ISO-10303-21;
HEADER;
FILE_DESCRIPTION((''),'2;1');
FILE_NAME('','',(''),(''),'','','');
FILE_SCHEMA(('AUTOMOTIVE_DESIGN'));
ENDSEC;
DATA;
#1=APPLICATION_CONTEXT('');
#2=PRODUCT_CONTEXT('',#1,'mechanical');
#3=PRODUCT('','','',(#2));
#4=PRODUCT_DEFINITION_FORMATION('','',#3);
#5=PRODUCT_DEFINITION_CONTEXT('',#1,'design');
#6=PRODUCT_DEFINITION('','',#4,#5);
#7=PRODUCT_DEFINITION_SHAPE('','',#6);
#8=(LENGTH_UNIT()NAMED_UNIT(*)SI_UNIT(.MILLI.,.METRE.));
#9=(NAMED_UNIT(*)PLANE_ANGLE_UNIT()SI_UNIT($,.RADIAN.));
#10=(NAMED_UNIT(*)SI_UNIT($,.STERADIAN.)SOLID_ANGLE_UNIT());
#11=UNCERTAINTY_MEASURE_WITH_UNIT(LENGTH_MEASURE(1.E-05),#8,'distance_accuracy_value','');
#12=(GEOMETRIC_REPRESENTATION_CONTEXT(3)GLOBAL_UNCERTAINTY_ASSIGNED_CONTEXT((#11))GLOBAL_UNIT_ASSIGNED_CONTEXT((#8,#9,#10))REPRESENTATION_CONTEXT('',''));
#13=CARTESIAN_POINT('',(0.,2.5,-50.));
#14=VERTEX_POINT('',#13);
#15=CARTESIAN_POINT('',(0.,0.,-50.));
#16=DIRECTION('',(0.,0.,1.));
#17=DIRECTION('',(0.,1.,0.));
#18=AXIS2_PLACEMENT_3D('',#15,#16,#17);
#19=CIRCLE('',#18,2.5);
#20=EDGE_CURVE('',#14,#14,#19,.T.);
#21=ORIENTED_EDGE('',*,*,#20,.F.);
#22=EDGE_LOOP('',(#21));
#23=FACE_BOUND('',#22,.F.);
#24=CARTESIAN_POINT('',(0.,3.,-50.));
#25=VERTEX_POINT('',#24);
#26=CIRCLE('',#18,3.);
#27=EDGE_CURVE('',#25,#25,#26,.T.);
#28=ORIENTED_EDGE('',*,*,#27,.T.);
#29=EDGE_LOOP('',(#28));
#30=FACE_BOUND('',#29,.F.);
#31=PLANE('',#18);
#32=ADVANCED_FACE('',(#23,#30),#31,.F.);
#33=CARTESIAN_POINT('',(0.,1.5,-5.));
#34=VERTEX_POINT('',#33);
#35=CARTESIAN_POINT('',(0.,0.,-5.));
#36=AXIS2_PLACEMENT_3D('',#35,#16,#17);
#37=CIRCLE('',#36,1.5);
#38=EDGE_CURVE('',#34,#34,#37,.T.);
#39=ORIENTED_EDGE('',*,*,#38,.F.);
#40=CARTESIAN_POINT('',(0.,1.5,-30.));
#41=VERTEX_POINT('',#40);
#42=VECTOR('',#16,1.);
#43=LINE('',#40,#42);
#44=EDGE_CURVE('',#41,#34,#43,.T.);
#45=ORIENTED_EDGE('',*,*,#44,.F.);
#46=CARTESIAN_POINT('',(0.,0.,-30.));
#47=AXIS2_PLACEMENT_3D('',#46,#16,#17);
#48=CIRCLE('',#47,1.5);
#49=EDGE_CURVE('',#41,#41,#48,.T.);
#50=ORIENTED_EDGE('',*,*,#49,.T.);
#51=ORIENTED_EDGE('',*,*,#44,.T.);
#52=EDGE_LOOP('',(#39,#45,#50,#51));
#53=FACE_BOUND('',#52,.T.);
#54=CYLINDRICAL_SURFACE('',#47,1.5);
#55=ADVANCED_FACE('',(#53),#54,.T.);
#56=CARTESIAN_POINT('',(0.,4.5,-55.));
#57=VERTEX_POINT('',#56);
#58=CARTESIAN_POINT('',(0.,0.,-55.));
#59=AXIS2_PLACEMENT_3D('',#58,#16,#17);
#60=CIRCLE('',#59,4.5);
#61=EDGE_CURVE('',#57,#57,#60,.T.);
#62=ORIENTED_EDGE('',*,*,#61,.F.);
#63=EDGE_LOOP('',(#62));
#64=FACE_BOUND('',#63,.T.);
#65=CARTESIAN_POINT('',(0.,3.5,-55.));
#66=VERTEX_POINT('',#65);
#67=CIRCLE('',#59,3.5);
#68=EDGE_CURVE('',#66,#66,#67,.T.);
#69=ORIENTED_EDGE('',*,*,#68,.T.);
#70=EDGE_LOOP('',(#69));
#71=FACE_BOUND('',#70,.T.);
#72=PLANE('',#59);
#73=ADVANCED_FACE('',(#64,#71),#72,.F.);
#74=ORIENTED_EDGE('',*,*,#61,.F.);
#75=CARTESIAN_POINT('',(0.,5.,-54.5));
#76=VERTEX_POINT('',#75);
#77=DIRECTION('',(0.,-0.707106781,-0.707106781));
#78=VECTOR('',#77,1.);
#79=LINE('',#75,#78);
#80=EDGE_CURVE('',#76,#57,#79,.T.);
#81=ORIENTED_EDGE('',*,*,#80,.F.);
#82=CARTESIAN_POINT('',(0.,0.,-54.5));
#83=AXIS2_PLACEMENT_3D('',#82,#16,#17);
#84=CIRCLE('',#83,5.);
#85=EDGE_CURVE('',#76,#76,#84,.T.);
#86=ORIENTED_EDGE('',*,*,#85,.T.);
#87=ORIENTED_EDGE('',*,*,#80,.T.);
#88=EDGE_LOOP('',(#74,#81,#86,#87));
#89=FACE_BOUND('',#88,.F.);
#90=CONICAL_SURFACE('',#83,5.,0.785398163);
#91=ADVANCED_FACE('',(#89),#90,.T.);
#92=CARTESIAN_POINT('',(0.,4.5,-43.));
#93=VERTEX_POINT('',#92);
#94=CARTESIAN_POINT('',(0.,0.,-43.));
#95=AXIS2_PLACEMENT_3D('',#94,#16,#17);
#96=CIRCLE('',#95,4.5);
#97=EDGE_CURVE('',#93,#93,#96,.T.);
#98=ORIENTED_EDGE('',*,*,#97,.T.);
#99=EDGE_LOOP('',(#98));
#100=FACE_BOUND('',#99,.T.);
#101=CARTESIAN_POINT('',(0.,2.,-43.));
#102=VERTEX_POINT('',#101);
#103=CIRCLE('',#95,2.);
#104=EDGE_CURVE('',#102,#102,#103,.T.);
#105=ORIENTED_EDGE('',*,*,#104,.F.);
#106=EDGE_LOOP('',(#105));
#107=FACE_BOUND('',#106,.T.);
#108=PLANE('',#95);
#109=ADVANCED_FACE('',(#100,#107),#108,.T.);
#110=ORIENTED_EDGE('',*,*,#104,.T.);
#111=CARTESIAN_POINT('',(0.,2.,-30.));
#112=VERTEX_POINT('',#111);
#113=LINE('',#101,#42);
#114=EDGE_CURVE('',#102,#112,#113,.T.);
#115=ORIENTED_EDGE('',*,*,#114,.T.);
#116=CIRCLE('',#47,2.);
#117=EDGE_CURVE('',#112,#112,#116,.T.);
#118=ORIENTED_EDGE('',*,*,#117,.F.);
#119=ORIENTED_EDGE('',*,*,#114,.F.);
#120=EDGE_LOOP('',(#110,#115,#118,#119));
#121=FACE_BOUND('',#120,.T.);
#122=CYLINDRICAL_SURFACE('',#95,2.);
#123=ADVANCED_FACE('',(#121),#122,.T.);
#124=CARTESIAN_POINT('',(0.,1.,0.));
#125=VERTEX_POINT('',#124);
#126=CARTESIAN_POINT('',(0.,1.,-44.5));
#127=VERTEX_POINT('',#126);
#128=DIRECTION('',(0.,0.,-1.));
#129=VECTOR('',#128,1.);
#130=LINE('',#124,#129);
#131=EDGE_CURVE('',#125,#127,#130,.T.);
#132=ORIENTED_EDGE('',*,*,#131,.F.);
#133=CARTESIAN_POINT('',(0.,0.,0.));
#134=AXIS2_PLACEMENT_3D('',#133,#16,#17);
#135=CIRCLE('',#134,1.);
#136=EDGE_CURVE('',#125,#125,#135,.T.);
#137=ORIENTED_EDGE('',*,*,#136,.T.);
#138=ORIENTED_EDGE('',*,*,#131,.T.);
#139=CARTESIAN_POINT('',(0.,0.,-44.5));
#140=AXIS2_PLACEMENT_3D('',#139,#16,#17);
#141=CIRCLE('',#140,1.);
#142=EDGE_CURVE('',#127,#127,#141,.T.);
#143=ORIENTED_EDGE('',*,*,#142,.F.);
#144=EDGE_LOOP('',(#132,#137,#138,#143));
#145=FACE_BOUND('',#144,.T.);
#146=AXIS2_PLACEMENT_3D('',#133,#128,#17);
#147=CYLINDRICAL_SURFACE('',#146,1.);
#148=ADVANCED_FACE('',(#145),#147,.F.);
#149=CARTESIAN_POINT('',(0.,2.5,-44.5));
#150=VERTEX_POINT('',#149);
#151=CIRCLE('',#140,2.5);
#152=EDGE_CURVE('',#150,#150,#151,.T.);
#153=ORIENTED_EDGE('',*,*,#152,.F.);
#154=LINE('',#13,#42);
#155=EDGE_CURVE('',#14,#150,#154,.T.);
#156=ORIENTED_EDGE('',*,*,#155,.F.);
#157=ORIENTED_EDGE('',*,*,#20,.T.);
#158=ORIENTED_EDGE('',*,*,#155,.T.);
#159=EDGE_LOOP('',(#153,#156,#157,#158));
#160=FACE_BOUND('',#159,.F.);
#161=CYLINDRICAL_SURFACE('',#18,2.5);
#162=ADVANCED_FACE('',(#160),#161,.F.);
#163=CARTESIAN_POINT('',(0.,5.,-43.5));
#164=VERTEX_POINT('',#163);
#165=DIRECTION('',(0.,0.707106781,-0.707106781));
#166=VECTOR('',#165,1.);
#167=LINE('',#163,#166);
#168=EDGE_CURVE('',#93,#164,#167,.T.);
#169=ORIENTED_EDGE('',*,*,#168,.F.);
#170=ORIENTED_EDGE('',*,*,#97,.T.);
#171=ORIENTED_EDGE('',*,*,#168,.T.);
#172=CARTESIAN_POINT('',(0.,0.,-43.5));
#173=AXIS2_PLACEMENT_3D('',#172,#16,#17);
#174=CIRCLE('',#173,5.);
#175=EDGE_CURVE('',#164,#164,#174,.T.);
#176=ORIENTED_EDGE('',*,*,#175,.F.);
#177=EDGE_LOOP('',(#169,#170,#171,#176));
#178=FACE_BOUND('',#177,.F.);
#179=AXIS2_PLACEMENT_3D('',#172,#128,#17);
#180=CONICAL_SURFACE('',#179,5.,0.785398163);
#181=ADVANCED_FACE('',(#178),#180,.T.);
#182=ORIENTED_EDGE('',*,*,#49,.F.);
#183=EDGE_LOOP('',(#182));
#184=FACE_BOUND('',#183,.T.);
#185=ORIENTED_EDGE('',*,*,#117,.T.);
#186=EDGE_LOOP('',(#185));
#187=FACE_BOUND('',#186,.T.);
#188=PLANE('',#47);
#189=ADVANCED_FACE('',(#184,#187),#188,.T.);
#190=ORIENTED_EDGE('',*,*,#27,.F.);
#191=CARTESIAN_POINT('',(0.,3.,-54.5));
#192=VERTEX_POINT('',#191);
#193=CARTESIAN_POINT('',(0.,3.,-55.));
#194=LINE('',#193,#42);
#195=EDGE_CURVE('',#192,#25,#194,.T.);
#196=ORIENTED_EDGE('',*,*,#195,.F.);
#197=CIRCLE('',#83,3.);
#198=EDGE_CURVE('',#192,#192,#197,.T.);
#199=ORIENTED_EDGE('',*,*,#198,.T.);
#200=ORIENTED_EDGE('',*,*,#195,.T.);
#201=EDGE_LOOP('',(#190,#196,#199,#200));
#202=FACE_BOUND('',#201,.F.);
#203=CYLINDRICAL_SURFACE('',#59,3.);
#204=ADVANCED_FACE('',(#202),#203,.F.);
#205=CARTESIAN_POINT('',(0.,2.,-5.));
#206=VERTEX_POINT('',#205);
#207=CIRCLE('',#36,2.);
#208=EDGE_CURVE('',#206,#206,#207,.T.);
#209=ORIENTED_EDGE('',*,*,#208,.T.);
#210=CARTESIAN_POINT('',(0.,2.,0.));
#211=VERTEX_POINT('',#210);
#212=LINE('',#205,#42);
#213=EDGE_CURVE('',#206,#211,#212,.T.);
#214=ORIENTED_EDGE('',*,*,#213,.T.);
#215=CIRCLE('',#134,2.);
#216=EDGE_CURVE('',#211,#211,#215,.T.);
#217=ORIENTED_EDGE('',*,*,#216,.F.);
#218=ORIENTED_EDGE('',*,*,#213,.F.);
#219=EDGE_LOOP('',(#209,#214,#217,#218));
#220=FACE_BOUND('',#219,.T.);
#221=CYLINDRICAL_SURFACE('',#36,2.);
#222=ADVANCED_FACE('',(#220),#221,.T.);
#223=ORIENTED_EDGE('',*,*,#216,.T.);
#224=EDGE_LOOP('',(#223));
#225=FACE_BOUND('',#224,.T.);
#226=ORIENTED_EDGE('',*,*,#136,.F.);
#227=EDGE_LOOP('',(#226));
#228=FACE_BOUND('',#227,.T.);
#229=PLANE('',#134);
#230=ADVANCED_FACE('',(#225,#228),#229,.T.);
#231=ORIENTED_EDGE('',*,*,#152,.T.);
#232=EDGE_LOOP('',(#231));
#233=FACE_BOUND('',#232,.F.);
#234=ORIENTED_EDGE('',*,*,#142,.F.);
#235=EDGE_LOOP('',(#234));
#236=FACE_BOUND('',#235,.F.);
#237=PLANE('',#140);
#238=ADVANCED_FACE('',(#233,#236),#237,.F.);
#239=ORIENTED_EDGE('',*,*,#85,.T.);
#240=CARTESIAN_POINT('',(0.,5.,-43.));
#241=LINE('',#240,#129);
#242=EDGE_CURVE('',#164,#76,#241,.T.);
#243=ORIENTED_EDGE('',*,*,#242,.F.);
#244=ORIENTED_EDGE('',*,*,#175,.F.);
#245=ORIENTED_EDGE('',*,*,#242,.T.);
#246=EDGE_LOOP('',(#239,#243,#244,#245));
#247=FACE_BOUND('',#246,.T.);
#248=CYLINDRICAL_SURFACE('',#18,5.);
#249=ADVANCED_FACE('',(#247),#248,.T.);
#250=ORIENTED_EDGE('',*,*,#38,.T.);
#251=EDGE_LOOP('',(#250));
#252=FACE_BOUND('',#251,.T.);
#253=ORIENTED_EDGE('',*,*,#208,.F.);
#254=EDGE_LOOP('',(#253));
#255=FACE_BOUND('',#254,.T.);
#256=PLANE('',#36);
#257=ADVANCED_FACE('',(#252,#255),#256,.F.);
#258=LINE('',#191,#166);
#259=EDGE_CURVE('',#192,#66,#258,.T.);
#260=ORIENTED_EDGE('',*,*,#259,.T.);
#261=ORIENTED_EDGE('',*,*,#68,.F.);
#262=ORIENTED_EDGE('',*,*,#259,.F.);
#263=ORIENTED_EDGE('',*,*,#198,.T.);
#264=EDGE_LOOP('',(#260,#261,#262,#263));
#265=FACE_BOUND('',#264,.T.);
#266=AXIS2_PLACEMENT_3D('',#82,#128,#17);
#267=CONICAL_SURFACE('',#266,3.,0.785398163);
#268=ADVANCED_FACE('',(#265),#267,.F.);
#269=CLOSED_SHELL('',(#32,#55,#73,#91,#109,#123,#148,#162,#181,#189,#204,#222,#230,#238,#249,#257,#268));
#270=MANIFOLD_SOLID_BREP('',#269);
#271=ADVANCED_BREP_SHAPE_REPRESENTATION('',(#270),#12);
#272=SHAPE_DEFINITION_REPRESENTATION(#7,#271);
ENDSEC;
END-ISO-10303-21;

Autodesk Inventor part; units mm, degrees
ref_plane "YZ Plane" through (0, 0, 0) normal (1, 0, 0) x (0, 1, 0)
ref_plane "XZ Plane" through (0, 0, 0) normal (0, 1, 0) x (-1, 0, 0)
ref_plane "XY Plane" through (0, 0, 0) normal (0, 0, 1) x (1, 0, 0)
sketch "Sketch1" plane through (0, 0, 0) normal (1, 0, 0) x (0, 1, 0)
  line L0 (0, 0) -> (1, 0)
  line L1 (1, 0) -> (1, -55)
  line L2 (1, -55) -> (0, -55)
  line L3 (0, -55) -> (0, 0)
  line L4 (0, -55) -> (3, -55)
  line L5 (3, -55) -> (3, -50)
  line L6 (0, -55) -> (5, -55)
  line L7 (5, -55) -> (5, -50)
  line L8 (5, -50) -> (0, -50)
  line L9 (5, -50) -> (5, -43)
  line L10 (5, -43) -> (0, -43)
  line L11 (0, -43) -> (2, -43)
  line L12 (2, -43) -> (2, -30)
  line L13 (2, -30) -> (0, -30)
  line L14 (0, -30) -> (1.5, -30)
  line L15 (1.5, -30) -> (1.5, -5)
  line L16 (1.5, -5) -> (0, -5)
  line L17 (0, -5) -> (2, -5)
  line L18 (2, -5) -> (2, 0)
  line L19 (2, 0) -> (0, 0)
  line L20 (5, -43) -> (5, -44.5)
  line L21 (5, -44.5) -> (0, -44.5)
  line L22 (0, -50) -> (2.5, -50)
  line L23 (2.5, -50) -> (2.5, -44.5)
  point P0 (1, -50)
  point P1 (1, -44.5)
  dimension "d0" = 1
  dimension "d1" = 55
  dimension "d2" = 3
  dimension "d3" = 5
  dimension "d4" = 5
  dimension "d5" = 7
  dimension "d6" = 2
  dimension "d7" = 13
  dimension "d8" = 1.5
  dimension "d9" = 25
  dimension "d10" = 5
  dimension "d22" = 5
  dimension "d23" = 1.5
revolve "Revolution1" add sketch "Sketch1" angle 360 about axis through (0, 0, -55) along (0, 0, 1) contours L19 L18 L17 L16 L1 | L16 L15 L13 L1 | L13 L12 L10 L1 | L10 L9 L21 L1 | L21 L9 L8 L23 | L5 L8 L7 L6
thread "Thread1" size "M4x0.7" class "6g" standard "ISO Metric profile" full length
thread "Thread2" size "M4x0.7" class "6g" standard "ANSI Metric M Profile" full length
thread "Thread3" size "M6x1" class "6H" standard "ANSI Metric M Profile" full length
chamfer "Chamfer1" distance 0.5 angle 45 3 edges at (0, -5, -55) (0, -5, -43) (0, -3, -55)
properties part number "HeatBreak_HotEnd"
